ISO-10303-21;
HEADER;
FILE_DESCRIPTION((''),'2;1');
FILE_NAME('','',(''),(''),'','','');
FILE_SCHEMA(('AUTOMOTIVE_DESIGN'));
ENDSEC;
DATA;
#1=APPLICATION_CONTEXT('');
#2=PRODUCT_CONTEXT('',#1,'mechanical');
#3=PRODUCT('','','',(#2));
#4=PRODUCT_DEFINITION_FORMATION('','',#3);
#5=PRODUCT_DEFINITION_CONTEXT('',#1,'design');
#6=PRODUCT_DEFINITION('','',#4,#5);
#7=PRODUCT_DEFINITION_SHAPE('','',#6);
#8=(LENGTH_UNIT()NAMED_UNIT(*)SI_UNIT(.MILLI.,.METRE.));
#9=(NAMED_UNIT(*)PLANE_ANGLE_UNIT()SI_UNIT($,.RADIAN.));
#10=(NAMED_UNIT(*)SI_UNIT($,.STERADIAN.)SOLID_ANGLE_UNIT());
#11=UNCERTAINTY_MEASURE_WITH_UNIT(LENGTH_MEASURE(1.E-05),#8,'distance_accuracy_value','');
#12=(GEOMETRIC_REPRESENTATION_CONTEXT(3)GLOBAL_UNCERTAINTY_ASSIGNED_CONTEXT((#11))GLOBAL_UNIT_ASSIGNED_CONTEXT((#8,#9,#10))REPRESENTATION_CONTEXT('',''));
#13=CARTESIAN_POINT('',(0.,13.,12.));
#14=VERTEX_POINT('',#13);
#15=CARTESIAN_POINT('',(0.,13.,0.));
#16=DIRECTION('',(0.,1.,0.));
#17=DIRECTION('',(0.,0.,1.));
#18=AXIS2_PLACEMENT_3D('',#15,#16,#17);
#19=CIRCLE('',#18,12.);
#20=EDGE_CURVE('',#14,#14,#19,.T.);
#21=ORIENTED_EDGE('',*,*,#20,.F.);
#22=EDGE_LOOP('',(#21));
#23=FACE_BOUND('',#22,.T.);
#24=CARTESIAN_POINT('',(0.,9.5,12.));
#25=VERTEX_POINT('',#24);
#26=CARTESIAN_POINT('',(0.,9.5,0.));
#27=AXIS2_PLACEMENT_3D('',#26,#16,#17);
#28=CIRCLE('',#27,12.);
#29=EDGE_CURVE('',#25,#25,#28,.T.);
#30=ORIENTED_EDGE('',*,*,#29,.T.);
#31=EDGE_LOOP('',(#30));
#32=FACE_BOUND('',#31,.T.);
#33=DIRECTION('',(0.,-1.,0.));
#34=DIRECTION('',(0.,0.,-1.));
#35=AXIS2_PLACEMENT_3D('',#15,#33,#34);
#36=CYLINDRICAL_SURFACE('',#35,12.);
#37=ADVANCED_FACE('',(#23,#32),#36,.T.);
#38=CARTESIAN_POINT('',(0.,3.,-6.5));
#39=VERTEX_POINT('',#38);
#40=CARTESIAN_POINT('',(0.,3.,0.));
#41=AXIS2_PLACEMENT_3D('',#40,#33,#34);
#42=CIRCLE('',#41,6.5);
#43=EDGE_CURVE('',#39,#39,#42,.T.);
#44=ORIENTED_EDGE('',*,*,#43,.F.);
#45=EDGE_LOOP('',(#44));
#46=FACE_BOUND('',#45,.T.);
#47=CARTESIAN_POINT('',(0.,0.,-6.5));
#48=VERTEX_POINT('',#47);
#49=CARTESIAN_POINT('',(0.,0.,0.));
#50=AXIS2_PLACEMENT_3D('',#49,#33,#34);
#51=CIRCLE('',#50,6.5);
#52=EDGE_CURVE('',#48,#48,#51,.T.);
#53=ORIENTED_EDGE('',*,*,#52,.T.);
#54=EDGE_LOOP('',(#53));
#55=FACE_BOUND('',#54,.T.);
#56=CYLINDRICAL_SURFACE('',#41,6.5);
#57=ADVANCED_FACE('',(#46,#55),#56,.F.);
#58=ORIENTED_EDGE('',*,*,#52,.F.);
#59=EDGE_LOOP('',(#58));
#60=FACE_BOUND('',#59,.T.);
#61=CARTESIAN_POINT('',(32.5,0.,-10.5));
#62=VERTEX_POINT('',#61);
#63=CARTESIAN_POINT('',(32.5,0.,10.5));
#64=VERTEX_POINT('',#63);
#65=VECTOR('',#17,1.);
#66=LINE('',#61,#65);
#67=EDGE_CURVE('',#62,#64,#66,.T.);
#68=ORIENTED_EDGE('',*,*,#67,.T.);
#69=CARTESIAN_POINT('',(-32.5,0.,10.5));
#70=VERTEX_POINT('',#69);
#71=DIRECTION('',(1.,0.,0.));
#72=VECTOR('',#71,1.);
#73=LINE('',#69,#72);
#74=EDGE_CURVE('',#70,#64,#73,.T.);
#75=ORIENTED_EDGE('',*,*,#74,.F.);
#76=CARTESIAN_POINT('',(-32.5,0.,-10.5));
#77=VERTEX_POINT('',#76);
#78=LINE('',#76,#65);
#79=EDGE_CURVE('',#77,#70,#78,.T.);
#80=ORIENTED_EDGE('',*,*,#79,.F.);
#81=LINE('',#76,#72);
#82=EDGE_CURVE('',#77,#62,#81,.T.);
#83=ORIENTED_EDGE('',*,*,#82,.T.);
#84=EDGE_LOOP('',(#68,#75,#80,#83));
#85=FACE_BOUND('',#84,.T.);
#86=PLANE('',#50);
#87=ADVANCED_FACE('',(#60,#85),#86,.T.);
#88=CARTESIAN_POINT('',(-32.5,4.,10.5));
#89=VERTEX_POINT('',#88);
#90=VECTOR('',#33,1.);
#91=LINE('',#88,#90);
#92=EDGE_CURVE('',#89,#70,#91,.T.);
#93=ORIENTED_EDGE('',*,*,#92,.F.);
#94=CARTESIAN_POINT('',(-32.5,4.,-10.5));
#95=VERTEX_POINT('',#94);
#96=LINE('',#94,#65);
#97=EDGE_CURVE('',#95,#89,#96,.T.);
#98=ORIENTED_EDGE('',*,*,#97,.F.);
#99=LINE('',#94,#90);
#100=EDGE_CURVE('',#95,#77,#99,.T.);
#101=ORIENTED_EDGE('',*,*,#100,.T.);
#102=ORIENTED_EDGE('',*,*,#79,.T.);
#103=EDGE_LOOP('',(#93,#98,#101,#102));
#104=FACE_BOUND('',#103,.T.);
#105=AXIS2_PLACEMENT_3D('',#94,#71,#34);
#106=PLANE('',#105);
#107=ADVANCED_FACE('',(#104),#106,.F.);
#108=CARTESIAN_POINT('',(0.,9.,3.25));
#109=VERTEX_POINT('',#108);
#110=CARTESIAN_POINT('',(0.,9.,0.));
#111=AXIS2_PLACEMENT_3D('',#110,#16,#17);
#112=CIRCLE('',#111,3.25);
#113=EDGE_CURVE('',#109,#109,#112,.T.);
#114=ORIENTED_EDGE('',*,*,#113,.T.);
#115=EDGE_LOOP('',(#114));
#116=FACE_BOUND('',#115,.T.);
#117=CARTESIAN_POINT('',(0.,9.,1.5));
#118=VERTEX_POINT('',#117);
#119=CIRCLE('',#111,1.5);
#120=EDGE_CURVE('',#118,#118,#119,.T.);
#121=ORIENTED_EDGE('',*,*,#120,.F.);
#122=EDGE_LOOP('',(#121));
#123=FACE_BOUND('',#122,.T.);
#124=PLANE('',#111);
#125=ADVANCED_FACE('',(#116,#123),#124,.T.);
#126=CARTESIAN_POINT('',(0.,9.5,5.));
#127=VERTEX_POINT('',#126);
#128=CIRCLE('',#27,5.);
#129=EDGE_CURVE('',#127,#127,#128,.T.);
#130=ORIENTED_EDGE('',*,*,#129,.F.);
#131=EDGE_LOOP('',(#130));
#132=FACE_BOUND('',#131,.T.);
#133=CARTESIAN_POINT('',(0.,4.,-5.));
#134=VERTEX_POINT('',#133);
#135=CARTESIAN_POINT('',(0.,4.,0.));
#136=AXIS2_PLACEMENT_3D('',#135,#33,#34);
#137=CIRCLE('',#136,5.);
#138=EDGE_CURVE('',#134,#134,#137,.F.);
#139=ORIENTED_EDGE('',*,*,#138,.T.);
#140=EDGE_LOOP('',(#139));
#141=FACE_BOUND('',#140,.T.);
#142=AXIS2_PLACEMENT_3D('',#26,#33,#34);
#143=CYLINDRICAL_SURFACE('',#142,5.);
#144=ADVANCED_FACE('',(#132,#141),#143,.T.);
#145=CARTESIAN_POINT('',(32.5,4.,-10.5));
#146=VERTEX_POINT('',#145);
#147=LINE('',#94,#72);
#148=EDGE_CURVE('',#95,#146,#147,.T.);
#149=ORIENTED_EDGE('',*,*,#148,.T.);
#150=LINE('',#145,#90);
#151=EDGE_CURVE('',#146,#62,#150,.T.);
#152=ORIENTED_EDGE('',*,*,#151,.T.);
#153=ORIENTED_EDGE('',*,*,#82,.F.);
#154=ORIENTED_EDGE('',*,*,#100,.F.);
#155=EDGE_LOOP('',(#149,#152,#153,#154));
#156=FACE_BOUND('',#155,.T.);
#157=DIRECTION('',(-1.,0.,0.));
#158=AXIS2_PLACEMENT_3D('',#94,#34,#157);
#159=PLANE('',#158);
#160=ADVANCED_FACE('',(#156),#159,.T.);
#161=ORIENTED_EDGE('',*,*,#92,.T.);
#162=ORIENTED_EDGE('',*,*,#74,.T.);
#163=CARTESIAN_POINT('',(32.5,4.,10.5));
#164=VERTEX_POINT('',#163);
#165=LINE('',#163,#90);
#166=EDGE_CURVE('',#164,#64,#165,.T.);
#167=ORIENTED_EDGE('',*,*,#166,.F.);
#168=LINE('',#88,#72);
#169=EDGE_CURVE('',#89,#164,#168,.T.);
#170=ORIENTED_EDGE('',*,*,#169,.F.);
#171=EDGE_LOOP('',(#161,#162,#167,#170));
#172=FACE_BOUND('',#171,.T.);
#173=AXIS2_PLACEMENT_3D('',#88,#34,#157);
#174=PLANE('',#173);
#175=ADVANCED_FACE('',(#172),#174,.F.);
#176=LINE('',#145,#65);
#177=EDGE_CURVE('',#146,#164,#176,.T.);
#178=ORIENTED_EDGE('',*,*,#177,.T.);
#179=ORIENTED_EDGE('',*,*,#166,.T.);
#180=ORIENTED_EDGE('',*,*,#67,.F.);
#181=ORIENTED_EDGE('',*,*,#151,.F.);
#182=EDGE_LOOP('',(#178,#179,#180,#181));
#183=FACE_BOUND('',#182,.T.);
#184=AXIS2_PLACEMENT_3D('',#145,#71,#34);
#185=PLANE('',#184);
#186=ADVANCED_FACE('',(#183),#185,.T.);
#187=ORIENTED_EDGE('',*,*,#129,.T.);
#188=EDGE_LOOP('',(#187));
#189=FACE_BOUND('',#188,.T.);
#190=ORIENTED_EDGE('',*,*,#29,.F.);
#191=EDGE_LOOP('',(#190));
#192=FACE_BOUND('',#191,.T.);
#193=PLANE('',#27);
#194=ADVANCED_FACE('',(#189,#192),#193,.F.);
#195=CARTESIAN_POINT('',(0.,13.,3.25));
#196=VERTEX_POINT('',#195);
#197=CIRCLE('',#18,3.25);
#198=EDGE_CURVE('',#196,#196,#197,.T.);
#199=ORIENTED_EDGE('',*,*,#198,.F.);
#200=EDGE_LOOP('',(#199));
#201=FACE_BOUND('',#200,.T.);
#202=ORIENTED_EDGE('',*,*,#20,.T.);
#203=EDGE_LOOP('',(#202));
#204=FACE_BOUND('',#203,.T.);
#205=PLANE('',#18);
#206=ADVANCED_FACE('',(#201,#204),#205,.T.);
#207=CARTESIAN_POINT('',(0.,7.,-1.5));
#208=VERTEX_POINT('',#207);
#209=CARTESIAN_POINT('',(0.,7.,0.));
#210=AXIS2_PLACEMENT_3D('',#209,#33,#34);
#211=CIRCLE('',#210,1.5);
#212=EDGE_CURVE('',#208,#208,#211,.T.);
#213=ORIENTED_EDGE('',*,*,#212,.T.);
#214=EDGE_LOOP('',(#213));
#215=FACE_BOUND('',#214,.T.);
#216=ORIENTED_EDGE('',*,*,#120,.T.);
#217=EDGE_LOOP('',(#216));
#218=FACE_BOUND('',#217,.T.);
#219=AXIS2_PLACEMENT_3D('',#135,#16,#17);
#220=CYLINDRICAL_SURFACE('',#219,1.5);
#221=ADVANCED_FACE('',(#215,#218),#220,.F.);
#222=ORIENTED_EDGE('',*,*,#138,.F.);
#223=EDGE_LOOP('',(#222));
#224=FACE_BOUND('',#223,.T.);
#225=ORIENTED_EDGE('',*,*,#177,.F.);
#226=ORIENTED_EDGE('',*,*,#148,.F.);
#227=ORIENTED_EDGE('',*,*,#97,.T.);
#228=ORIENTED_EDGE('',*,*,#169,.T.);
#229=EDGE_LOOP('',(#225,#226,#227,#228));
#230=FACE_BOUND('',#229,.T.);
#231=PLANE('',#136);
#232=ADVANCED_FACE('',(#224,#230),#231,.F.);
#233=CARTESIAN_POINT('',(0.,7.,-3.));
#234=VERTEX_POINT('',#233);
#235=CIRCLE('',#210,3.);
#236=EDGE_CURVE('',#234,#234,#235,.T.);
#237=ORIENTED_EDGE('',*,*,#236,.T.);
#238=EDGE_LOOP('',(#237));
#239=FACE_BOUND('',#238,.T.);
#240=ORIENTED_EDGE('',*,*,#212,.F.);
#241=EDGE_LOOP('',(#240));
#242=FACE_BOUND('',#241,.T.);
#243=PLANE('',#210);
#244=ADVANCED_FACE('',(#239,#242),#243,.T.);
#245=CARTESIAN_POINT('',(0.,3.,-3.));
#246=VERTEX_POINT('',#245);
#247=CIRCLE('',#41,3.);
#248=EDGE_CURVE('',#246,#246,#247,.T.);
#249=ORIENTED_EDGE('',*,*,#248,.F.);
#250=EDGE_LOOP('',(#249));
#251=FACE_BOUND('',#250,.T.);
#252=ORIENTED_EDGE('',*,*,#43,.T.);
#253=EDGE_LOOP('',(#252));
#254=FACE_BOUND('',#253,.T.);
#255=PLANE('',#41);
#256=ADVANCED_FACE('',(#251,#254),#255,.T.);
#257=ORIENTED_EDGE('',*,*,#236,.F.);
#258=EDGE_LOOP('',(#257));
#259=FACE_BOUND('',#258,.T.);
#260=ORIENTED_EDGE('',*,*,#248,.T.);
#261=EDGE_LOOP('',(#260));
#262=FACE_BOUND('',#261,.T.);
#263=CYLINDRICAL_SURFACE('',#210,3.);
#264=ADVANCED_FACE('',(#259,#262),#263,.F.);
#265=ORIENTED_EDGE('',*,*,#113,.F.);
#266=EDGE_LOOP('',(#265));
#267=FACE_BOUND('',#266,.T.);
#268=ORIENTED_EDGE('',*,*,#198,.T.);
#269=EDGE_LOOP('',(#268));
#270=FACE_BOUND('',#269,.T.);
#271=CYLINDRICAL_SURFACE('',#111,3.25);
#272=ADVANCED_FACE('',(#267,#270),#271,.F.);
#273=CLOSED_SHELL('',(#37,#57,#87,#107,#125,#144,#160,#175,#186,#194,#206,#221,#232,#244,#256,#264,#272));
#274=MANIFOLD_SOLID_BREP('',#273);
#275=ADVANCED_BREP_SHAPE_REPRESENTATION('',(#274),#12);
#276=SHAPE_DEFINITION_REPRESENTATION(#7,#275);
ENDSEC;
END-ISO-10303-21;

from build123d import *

# Parameters (mm, degrees)
ESBO_O1_W                = 65
ESBO_O1_H                = 21
RESSALTO_EXTRUS_O3_DEPTH = 4
ESBO_O5_R                = 6.5
CORTE_EXTRUS_O2_DEPTH    = 3
ESBO_O6_R                = 3
CORTE_EXTRUS_O3_DEPTH    = 4
ESBO_O7_R                = 5
RESSALTO_EXTRUS_O4_DEPTH = 5.5
ESBO_O8_R                = 3.25
CORTE_EXTRUS_O4_DEPTH    = 0.5
ESBO_O10_R               = 3
CORTE_EXTRUS_O5_DEPTH    = 3
RESSALTO_EXTRUS_O5_START = 3.5
ESBO_O11_R               = 12
ESBO_O11_R_2             = 3.25
RESSALTO_EXTRUS_O5_DEPTH = 3.5
ESBO_O12_R               = 1.5
CORTE_EXTRUS_O6_DEPTH    = 5


with BuildPart() as part:
    # Esboço1 → Ressalto-extrusão3 (new body)
    with BuildSketch(Plane(origin=(0, 0, 0), x_dir=(1, 0, 0), z_dir=(0, 1, 0))):
        Rectangle(ESBO_O1_W, ESBO_O1_H)
    extrude(amount=RESSALTO_EXTRUS_O3_DEPTH)

    # Esboço5 → Corte-extrusão2 (cut)
    with BuildSketch(Plane.XZ):
        with Locations(Location((0, 0, 0), (0, 0, 270))):
            Circle(ESBO_O5_R)
    extrude(amount=-CORTE_EXTRUS_O2_DEPTH, mode=Mode.SUBTRACT)

    # Esboço6 → Corte-extrusão3 (cut)
    with BuildSketch(Plane.XZ.offset(-3)):
        with Locations(Location((0, 0, 0), (0, 0, 270))):
            Circle(ESBO_O6_R)
    extrude(amount=-CORTE_EXTRUS_O3_DEPTH, mode=Mode.SUBTRACT)

    # Esboço7 → Ressalto-extrusão4 (add)
    with BuildSketch(Plane(origin=(0, 4, 0), x_dir=(1, 0, 0), z_dir=(0, 1, 0))):
        with Locations(Location((0, 0, 0), (0, 0, 90))):
            Circle(ESBO_O7_R)
    extrude(amount=RESSALTO_EXTRUS_O4_DEPTH)

    # Esboço8 → Corte-extrusão4 (cut)
    with BuildSketch(Plane(origin=(0, 9.5, 0), x_dir=(1, 0, 0), z_dir=(0, 1, 0))):
        with Locations(Location((0, 0, 0), (0, 0, 270))):
            Circle(ESBO_O8_R)
    extrude(amount=-CORTE_EXTRUS_O4_DEPTH, mode=Mode.SUBTRACT)

    # Esboço10 → Corte-extrusão5 (cut)
    with BuildSketch(Plane.XZ.offset(-4)):
        with Locations(Location((0, 0, 0), (0, 0, 270))):
            Circle(ESBO_O10_R)
    extrude(amount=-CORTE_EXTRUS_O5_DEPTH, mode=Mode.SUBTRACT)

    # Esboço11 → Ressalto-extrusão5 (add)
    with BuildSketch(Plane(origin=(0, 9.5, 0), x_dir=(1, 0, 0), z_dir=(0, 1, 0)).offset(RESSALTO_EXTRUS_O5_START)):
        with Locations(Location((0, 0, 0), (0, 0, 270))):
            Circle(ESBO_O11_R)
        with Locations(Location((0, 0, 0), (0, 0, 270))):
            Circle(ESBO_O11_R_2, mode=Mode.SUBTRACT)
    extrude(amount=-RESSALTO_EXTRUS_O5_DEPTH)

    # Esboço12 → Corte-extrusão6 (cut)
    with BuildSketch(Plane(origin=(0, 9, 0), x_dir=(1, 0, 0), z_dir=(0, 1, 0))):
        with Locations(Location((0, 0, 0), (0, 0, 270))):
            Circle(ESBO_O12_R)
    extrude(amount=-CORTE_EXTRUS_O6_DEPTH, mode=Mode.SUBTRACT)


solid = part.part
